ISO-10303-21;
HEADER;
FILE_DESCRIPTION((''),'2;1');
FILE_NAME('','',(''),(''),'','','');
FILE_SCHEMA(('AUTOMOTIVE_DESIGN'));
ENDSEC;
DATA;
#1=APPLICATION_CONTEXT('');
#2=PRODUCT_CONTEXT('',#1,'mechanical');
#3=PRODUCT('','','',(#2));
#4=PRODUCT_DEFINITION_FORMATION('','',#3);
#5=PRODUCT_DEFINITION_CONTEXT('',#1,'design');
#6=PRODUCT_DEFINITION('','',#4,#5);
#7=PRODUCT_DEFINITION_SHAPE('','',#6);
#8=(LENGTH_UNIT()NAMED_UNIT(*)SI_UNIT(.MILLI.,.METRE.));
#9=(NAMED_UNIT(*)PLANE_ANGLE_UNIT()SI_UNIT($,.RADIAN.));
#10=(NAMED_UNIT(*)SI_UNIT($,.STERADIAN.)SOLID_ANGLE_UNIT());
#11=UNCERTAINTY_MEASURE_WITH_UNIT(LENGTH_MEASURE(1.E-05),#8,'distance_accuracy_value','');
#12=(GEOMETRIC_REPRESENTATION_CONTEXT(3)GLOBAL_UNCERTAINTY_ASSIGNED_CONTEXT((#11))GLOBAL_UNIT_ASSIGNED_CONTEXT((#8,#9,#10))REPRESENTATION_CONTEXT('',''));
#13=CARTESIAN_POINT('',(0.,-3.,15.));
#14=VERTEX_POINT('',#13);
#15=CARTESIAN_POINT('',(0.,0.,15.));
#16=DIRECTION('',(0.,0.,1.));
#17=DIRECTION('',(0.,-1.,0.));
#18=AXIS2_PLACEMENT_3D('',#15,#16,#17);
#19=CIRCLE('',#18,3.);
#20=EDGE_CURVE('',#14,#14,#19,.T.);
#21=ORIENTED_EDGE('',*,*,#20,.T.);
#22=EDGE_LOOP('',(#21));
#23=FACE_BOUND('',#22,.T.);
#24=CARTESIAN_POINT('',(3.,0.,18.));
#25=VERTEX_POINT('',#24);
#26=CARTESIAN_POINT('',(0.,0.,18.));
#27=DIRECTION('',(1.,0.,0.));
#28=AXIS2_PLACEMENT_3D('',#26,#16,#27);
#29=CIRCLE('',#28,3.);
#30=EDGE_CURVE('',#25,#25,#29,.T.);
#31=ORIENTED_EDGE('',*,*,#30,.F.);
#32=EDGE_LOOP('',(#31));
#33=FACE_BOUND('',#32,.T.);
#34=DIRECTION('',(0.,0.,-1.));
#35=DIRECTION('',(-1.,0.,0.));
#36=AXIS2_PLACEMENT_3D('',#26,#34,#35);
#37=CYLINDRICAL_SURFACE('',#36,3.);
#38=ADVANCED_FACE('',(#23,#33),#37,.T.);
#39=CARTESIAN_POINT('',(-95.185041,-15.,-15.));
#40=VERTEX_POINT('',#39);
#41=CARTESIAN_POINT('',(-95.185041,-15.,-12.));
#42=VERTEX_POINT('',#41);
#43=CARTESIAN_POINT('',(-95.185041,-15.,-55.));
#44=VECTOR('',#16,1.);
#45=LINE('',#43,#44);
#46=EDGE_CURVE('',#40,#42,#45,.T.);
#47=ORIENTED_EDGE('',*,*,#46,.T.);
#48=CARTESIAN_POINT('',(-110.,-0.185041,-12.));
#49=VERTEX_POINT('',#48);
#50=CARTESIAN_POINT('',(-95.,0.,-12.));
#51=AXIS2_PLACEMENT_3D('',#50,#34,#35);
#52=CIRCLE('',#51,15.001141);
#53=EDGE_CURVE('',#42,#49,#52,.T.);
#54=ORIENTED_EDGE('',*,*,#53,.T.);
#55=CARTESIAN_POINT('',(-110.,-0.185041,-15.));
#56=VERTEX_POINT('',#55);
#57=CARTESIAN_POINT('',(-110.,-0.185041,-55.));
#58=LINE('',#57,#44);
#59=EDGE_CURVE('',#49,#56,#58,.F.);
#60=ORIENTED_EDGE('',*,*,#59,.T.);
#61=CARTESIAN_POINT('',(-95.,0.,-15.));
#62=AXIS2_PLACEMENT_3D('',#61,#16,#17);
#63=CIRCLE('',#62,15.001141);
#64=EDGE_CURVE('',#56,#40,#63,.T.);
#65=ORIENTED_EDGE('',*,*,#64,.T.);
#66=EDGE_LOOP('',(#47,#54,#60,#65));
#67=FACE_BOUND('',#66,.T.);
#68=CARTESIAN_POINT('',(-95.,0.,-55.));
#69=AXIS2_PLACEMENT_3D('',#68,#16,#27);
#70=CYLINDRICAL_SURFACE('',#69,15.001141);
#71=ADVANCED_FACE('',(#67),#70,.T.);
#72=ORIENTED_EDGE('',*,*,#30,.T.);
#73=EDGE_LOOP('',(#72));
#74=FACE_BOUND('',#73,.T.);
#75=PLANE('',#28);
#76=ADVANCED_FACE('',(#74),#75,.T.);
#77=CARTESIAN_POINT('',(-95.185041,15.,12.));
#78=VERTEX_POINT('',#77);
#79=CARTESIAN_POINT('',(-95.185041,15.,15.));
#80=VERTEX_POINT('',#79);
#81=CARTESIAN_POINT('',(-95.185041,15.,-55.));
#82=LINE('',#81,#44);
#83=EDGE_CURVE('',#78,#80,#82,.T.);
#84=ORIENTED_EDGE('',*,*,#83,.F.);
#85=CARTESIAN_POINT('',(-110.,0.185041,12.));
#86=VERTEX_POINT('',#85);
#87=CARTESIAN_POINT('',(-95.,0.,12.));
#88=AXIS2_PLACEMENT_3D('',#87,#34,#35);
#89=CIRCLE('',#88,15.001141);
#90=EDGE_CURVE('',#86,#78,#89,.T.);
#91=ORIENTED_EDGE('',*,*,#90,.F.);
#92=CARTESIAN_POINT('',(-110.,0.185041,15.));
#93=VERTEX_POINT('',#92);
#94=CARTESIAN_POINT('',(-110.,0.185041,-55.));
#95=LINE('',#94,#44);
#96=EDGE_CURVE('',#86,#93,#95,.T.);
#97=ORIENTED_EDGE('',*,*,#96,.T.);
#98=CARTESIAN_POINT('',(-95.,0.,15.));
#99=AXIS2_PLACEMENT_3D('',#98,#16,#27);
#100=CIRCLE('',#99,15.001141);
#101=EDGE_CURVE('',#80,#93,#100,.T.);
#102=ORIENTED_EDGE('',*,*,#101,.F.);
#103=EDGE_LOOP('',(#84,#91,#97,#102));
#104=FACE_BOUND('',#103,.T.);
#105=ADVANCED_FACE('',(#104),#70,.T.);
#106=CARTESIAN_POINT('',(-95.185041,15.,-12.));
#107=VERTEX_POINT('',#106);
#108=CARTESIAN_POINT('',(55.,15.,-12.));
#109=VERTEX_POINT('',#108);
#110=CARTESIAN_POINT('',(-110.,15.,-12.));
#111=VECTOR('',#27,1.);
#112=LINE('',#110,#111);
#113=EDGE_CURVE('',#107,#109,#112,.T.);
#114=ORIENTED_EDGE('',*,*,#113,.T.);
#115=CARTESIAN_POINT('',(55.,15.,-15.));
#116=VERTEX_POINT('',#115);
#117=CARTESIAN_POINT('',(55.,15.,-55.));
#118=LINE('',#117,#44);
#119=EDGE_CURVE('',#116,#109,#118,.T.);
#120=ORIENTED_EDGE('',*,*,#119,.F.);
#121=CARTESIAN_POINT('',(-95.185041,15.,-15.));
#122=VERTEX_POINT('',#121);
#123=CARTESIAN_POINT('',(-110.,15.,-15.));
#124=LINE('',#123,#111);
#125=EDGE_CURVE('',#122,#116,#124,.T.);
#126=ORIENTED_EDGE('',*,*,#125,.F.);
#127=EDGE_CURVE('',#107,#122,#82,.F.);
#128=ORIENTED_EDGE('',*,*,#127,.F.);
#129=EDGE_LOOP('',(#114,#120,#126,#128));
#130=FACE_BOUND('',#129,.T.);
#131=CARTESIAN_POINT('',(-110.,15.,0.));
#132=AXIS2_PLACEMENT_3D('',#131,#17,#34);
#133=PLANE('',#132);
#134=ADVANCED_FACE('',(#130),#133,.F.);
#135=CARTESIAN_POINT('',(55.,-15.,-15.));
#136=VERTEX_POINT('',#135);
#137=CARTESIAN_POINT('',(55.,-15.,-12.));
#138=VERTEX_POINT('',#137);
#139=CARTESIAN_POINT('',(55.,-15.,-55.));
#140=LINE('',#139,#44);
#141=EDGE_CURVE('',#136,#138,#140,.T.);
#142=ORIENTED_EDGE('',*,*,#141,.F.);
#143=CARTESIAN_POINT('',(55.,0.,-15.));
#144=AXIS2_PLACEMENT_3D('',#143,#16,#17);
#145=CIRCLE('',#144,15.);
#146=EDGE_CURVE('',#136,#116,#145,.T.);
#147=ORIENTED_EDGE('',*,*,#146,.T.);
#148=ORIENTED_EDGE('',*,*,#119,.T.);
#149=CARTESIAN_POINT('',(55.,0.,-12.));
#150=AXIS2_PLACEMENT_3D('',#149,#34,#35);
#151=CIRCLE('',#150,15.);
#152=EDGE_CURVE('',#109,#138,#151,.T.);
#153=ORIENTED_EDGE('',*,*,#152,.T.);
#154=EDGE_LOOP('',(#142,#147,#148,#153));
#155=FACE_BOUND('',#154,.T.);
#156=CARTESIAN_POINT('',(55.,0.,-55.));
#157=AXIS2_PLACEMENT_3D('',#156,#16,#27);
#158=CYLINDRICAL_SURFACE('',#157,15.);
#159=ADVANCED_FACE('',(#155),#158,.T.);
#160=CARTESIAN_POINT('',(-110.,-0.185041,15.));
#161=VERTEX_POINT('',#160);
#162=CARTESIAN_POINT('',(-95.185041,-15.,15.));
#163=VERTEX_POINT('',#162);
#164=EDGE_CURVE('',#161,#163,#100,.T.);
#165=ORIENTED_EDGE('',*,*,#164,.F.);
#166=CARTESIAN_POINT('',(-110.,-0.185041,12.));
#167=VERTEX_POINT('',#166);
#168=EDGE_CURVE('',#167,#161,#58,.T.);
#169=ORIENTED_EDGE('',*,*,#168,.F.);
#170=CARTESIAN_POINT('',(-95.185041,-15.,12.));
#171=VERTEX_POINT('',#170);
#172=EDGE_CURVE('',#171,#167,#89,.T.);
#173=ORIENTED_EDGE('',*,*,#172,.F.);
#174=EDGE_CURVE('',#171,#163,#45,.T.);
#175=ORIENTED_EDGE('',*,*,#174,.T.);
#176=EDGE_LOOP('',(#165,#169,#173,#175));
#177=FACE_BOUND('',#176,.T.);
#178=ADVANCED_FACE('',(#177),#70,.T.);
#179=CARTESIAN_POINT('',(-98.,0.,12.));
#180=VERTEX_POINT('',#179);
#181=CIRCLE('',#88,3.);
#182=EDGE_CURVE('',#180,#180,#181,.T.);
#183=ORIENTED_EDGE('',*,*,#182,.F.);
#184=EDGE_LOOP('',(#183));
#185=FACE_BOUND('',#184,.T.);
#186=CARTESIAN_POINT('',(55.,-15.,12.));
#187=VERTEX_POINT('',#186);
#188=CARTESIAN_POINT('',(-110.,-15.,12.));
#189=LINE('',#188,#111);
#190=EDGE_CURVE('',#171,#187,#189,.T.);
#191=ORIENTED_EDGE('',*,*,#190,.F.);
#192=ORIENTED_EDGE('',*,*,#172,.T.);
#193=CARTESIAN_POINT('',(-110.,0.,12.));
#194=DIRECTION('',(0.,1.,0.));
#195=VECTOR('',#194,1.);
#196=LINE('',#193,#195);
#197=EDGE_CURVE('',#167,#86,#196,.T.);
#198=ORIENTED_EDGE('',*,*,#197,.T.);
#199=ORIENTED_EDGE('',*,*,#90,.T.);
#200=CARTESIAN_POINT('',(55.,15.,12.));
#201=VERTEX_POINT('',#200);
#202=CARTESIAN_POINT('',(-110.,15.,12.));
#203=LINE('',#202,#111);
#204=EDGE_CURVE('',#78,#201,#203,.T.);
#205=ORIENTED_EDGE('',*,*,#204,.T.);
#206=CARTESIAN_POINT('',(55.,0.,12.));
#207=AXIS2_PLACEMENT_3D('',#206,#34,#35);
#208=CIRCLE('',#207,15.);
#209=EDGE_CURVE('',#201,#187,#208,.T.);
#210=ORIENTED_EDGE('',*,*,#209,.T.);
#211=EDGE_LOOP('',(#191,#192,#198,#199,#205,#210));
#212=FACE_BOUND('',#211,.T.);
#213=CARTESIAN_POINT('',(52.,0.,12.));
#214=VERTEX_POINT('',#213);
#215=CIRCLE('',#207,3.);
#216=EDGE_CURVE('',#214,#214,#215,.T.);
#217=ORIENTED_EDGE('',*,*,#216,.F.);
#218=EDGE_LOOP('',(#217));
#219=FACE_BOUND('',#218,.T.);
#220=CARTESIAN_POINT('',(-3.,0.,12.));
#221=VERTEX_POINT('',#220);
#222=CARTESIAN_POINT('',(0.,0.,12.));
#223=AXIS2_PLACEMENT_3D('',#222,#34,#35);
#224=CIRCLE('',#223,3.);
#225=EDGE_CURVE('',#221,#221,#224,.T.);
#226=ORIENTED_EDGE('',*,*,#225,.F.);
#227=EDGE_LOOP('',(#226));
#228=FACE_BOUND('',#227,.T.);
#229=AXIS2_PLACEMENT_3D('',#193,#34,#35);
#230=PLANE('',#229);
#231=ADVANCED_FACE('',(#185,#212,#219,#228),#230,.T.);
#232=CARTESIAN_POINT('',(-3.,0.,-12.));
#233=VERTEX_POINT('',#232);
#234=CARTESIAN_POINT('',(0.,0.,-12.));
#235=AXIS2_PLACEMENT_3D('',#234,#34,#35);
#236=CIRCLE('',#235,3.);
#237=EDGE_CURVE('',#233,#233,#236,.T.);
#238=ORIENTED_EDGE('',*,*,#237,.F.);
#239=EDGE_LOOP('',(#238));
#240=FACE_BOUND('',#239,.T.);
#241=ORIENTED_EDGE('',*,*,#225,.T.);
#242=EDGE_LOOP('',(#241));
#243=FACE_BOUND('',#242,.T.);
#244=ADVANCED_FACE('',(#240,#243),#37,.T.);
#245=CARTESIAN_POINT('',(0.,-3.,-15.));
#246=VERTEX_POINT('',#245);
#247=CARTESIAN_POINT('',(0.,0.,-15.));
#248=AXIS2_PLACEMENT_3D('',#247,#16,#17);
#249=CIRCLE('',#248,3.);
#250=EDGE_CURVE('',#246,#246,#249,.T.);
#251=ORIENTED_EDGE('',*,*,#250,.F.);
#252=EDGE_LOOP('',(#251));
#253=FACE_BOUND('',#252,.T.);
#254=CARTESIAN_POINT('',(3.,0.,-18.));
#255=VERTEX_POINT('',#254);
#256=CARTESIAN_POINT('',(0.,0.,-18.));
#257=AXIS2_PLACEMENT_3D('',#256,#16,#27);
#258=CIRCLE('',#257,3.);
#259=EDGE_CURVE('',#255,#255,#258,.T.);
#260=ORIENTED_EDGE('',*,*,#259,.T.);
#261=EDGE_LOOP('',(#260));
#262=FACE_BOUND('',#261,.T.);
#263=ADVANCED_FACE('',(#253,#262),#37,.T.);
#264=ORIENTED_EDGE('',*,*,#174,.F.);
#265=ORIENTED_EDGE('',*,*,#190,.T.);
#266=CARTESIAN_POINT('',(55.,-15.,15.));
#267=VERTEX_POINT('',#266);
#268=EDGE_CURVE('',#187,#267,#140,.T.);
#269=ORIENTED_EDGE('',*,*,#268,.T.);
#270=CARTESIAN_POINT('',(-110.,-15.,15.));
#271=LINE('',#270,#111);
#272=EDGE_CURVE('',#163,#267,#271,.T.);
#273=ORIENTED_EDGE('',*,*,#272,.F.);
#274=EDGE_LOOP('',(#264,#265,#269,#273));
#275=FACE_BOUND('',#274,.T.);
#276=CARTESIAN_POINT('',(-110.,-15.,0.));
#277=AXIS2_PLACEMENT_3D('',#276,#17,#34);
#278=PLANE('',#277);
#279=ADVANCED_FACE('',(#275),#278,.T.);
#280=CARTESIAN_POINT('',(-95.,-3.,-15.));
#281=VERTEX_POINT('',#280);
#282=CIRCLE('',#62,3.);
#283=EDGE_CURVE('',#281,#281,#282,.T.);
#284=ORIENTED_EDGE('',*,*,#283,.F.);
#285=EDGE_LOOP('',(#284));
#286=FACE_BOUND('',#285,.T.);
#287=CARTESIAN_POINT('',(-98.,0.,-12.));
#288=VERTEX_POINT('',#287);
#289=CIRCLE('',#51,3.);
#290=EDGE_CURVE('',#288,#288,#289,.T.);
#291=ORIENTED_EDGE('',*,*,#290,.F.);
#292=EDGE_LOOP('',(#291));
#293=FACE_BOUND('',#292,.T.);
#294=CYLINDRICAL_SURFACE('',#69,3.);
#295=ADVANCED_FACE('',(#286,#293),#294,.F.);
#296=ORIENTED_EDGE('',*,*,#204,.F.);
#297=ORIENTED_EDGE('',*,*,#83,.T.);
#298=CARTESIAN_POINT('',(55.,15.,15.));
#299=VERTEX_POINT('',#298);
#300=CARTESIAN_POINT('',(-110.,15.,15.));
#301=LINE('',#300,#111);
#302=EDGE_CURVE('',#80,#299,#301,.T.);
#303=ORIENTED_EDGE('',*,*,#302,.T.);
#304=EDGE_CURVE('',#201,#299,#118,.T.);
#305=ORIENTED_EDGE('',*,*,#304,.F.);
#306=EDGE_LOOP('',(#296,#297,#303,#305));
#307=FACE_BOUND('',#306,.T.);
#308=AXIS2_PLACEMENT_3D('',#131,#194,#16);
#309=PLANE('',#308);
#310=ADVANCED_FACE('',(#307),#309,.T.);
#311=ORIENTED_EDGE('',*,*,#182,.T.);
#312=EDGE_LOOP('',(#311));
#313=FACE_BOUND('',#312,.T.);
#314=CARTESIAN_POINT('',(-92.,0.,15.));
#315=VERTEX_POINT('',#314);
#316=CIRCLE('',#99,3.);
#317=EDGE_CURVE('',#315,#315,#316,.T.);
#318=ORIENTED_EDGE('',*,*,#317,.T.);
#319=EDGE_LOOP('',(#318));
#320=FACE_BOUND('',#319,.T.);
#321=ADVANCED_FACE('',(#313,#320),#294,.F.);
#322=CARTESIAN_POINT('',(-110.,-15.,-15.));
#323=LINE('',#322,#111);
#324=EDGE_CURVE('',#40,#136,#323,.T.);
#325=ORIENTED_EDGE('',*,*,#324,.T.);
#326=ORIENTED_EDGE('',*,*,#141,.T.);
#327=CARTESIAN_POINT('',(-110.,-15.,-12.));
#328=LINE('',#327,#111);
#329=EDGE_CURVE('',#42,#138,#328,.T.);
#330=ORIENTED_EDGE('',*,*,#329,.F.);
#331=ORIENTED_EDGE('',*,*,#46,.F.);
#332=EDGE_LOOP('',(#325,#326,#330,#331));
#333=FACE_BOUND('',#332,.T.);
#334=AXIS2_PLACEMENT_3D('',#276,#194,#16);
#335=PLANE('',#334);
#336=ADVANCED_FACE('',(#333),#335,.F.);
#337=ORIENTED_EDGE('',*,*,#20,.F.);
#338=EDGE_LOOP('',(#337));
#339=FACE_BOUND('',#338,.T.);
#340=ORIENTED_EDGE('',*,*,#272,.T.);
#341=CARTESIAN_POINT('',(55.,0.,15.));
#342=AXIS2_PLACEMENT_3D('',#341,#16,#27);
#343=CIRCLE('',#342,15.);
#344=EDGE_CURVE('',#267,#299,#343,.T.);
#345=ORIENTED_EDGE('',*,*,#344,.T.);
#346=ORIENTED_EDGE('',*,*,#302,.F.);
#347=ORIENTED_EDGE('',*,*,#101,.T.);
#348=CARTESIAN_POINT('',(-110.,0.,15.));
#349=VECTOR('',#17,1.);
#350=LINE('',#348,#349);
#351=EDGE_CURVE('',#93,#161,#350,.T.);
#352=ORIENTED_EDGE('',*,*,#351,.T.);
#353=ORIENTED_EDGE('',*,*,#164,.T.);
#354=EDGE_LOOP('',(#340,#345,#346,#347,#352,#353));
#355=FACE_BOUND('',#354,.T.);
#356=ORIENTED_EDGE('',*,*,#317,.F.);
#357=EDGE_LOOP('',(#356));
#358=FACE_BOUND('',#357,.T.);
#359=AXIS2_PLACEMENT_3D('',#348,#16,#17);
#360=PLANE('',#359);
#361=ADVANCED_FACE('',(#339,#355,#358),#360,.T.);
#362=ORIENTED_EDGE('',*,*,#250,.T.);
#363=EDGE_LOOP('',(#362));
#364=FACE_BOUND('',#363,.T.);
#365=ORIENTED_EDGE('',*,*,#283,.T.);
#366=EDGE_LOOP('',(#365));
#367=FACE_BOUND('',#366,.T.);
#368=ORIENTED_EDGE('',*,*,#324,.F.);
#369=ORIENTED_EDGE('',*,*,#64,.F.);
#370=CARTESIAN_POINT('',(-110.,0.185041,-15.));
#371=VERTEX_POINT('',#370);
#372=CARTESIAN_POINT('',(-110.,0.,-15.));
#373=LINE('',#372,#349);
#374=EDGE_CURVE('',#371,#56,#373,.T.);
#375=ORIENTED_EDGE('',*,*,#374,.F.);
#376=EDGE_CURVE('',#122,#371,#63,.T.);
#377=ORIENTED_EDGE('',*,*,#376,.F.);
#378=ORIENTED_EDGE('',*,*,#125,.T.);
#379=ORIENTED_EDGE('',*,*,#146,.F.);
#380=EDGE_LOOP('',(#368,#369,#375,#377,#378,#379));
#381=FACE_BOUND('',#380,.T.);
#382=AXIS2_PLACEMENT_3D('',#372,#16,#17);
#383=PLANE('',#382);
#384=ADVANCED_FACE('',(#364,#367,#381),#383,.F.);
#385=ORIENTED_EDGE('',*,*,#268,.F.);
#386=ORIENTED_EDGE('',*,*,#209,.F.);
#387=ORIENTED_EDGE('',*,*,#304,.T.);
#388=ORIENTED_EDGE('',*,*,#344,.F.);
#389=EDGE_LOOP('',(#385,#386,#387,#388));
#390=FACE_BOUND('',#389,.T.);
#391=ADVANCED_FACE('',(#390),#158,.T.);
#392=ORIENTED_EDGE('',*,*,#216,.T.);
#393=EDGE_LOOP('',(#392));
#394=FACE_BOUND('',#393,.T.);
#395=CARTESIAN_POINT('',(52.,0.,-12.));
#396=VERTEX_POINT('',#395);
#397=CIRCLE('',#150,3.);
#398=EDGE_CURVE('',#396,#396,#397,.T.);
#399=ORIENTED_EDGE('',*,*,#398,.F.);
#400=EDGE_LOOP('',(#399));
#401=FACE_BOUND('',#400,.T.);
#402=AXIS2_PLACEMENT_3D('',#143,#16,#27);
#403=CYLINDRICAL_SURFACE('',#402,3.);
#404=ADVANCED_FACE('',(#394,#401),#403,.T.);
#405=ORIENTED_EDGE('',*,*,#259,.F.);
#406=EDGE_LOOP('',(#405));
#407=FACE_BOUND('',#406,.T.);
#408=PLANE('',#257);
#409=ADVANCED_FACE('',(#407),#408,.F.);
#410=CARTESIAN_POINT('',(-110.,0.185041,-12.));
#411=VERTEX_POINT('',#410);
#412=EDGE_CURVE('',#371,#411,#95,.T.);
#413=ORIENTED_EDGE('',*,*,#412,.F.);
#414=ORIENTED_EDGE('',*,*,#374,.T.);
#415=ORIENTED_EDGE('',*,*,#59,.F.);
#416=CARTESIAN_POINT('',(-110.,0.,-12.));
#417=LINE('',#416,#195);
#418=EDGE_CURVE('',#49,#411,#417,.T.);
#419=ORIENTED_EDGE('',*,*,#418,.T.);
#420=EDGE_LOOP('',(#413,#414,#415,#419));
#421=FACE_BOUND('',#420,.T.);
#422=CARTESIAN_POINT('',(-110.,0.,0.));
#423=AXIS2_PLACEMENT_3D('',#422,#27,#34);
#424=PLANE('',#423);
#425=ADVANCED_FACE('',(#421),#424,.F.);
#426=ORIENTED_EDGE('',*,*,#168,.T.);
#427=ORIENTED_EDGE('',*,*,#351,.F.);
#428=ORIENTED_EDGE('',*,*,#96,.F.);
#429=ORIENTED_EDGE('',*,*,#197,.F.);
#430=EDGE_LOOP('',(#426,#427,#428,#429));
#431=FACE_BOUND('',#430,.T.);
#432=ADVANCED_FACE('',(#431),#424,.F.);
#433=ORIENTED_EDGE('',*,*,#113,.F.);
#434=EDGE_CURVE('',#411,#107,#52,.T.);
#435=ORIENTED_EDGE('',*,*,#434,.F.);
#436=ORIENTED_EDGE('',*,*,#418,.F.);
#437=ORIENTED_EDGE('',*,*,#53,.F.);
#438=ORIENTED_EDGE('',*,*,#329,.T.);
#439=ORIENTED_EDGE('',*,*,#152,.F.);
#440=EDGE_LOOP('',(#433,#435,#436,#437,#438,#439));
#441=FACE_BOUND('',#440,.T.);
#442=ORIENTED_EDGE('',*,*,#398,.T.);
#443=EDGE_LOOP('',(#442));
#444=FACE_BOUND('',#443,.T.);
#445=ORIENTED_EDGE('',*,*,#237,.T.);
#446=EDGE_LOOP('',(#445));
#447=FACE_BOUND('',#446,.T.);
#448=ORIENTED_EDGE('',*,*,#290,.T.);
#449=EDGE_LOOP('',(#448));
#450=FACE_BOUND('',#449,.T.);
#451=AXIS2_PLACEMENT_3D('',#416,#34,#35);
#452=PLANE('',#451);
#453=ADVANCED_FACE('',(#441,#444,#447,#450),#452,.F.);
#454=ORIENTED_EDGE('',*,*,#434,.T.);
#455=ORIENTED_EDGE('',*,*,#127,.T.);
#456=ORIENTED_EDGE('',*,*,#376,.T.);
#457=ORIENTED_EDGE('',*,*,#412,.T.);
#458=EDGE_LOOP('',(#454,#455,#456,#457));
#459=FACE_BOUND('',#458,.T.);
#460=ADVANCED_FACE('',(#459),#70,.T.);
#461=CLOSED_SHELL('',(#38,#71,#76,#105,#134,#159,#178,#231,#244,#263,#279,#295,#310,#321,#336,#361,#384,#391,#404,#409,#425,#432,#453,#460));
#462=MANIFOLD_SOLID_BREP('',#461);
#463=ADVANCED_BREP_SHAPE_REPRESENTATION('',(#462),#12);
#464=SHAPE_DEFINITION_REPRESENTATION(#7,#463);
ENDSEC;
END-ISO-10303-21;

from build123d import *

# Parameters (mm, degrees)
CROQUIS2_R              = 3
SALIENTE_EXTRUIR1_DEPTH = 18
CROQUIS3_R              = 3
SALIENTE_EXTRUIR2_DEPTH = 18
CROQUIS4_W              = 3
CROQUIS4_H              = 30
SALIENTE_EXTRUIR3_DEPTH = 110
CROQUIS5_W              = 3
CROQUIS5_H              = 30
SALIENTE_EXTRUIR4_DEPTH = 70
CORTAR_EXTRUIR1_DEPTH   = 70
CORTAR_EXTRUIR2_DEPTH   = 70
CROQUIS8_R              = 3
CORTAR_EXTRUIR3_DEPTH   = 70
CROQUIS9_R              = 3
SALIENTE_EXTRUIR6_DEPTH = 30


with BuildPart() as part:
    # Croquis2 → Saliente-Extruir1 (new body)
    with BuildSketch(Plane.XY):
        Circle(CROQUIS2_R)
    extrude(amount=SALIENTE_EXTRUIR1_DEPTH)

    # Croquis3 → Saliente-Extruir2 (add)
    with BuildSketch(Plane.XY):
        Circle(CROQUIS3_R)
    extrude(amount=-SALIENTE_EXTRUIR2_DEPTH)

    # Croquis4 → Saliente-Extruir3 (add)
    with BuildSketch(Plane(origin=(0, 0, 0), x_dir=(0, 0, -1), z_dir=(1, 0, 0))):
        with Locations((-13.5, 0)):
            Rectangle(CROQUIS4_W, CROQUIS4_H)
        with Locations((13.5, 0)):
            Rectangle(CROQUIS4_W, CROQUIS4_H)
    extrude(amount=-SALIENTE_EXTRUIR3_DEPTH)

    # Croquis5 → Saliente-Extruir4 (add)
    with BuildSketch(Plane(origin=(0, 0, 0), x_dir=(0, 0, -1), z_dir=(1, 0, 0))):
        with Locations((-13.5, 0)):
            Rectangle(CROQUIS5_W, CROQUIS5_H)
        with Locations((13.5, 0)):
            Rectangle(CROQUIS5_W, CROQUIS5_H)
    extrude(amount=SALIENTE_EXTRUIR4_DEPTH)

    # Croquis6 → Cortar-Extruir1 (cut)
    with BuildSketch(Plane.XY.offset(15)):
        with BuildLine():
            Line((-110, -0.185040896), (-110, -15))
            Line((-110, -15), (-95.185040896, -15))
            ThreePointArc((-95.185040896, -15), (-105.607408735, -10.607408735), (-110, -0.185040896))
        make_face()
        with BuildLine():
            Line((-110, 15), (-110, 0.185040896))
            ThreePointArc((-110, 0.185040896), (-105.607408735, 10.607408735), (-95.185040896, 15))
            Line((-95.185040896, 15), (-110, 15))
        make_face()
    extrude(amount=-CORTAR_EXTRUIR1_DEPTH, mode=Mode.SUBTRACT)

    # Croquis7 → Cortar-Extruir2 (cut)
    with BuildSketch(Plane.XY.offset(15)):
        with BuildLine():
            ThreePointArc((55, 15), (65.606601718, 10.606601718), (70, 0))
            Line((70, 0), (70, 15))
            Line((70, 15), (55, 15))
        make_face()
        with BuildLine():
            ThreePointArc((70, 0), (65.606601718, -10.606601718), (55, -15))
            Line((55, -15), (70, -15))
            Line((70, -15), (70, 0))
        make_face()
    extrude(amount=-CORTAR_EXTRUIR2_DEPTH, mode=Mode.SUBTRACT)

    # Croquis8 → Cortar-Extruir3 (cut)
    with BuildSketch(Plane.XY.offset(15)):
        with Locations((-95, 0)):
            Circle(CROQUIS8_R)
    extrude(amount=-CORTAR_EXTRUIR3_DEPTH, mode=Mode.SUBTRACT)

    # Croquis9 → Saliente-Extruir6 (add)
    with BuildSketch(Plane.XY.offset(15)):
        with Locations((55, 0)):
            Circle(CROQUIS9_R)
    extrude(amount=-SALIENTE_EXTRUIR6_DEPTH)


solid = part.part
